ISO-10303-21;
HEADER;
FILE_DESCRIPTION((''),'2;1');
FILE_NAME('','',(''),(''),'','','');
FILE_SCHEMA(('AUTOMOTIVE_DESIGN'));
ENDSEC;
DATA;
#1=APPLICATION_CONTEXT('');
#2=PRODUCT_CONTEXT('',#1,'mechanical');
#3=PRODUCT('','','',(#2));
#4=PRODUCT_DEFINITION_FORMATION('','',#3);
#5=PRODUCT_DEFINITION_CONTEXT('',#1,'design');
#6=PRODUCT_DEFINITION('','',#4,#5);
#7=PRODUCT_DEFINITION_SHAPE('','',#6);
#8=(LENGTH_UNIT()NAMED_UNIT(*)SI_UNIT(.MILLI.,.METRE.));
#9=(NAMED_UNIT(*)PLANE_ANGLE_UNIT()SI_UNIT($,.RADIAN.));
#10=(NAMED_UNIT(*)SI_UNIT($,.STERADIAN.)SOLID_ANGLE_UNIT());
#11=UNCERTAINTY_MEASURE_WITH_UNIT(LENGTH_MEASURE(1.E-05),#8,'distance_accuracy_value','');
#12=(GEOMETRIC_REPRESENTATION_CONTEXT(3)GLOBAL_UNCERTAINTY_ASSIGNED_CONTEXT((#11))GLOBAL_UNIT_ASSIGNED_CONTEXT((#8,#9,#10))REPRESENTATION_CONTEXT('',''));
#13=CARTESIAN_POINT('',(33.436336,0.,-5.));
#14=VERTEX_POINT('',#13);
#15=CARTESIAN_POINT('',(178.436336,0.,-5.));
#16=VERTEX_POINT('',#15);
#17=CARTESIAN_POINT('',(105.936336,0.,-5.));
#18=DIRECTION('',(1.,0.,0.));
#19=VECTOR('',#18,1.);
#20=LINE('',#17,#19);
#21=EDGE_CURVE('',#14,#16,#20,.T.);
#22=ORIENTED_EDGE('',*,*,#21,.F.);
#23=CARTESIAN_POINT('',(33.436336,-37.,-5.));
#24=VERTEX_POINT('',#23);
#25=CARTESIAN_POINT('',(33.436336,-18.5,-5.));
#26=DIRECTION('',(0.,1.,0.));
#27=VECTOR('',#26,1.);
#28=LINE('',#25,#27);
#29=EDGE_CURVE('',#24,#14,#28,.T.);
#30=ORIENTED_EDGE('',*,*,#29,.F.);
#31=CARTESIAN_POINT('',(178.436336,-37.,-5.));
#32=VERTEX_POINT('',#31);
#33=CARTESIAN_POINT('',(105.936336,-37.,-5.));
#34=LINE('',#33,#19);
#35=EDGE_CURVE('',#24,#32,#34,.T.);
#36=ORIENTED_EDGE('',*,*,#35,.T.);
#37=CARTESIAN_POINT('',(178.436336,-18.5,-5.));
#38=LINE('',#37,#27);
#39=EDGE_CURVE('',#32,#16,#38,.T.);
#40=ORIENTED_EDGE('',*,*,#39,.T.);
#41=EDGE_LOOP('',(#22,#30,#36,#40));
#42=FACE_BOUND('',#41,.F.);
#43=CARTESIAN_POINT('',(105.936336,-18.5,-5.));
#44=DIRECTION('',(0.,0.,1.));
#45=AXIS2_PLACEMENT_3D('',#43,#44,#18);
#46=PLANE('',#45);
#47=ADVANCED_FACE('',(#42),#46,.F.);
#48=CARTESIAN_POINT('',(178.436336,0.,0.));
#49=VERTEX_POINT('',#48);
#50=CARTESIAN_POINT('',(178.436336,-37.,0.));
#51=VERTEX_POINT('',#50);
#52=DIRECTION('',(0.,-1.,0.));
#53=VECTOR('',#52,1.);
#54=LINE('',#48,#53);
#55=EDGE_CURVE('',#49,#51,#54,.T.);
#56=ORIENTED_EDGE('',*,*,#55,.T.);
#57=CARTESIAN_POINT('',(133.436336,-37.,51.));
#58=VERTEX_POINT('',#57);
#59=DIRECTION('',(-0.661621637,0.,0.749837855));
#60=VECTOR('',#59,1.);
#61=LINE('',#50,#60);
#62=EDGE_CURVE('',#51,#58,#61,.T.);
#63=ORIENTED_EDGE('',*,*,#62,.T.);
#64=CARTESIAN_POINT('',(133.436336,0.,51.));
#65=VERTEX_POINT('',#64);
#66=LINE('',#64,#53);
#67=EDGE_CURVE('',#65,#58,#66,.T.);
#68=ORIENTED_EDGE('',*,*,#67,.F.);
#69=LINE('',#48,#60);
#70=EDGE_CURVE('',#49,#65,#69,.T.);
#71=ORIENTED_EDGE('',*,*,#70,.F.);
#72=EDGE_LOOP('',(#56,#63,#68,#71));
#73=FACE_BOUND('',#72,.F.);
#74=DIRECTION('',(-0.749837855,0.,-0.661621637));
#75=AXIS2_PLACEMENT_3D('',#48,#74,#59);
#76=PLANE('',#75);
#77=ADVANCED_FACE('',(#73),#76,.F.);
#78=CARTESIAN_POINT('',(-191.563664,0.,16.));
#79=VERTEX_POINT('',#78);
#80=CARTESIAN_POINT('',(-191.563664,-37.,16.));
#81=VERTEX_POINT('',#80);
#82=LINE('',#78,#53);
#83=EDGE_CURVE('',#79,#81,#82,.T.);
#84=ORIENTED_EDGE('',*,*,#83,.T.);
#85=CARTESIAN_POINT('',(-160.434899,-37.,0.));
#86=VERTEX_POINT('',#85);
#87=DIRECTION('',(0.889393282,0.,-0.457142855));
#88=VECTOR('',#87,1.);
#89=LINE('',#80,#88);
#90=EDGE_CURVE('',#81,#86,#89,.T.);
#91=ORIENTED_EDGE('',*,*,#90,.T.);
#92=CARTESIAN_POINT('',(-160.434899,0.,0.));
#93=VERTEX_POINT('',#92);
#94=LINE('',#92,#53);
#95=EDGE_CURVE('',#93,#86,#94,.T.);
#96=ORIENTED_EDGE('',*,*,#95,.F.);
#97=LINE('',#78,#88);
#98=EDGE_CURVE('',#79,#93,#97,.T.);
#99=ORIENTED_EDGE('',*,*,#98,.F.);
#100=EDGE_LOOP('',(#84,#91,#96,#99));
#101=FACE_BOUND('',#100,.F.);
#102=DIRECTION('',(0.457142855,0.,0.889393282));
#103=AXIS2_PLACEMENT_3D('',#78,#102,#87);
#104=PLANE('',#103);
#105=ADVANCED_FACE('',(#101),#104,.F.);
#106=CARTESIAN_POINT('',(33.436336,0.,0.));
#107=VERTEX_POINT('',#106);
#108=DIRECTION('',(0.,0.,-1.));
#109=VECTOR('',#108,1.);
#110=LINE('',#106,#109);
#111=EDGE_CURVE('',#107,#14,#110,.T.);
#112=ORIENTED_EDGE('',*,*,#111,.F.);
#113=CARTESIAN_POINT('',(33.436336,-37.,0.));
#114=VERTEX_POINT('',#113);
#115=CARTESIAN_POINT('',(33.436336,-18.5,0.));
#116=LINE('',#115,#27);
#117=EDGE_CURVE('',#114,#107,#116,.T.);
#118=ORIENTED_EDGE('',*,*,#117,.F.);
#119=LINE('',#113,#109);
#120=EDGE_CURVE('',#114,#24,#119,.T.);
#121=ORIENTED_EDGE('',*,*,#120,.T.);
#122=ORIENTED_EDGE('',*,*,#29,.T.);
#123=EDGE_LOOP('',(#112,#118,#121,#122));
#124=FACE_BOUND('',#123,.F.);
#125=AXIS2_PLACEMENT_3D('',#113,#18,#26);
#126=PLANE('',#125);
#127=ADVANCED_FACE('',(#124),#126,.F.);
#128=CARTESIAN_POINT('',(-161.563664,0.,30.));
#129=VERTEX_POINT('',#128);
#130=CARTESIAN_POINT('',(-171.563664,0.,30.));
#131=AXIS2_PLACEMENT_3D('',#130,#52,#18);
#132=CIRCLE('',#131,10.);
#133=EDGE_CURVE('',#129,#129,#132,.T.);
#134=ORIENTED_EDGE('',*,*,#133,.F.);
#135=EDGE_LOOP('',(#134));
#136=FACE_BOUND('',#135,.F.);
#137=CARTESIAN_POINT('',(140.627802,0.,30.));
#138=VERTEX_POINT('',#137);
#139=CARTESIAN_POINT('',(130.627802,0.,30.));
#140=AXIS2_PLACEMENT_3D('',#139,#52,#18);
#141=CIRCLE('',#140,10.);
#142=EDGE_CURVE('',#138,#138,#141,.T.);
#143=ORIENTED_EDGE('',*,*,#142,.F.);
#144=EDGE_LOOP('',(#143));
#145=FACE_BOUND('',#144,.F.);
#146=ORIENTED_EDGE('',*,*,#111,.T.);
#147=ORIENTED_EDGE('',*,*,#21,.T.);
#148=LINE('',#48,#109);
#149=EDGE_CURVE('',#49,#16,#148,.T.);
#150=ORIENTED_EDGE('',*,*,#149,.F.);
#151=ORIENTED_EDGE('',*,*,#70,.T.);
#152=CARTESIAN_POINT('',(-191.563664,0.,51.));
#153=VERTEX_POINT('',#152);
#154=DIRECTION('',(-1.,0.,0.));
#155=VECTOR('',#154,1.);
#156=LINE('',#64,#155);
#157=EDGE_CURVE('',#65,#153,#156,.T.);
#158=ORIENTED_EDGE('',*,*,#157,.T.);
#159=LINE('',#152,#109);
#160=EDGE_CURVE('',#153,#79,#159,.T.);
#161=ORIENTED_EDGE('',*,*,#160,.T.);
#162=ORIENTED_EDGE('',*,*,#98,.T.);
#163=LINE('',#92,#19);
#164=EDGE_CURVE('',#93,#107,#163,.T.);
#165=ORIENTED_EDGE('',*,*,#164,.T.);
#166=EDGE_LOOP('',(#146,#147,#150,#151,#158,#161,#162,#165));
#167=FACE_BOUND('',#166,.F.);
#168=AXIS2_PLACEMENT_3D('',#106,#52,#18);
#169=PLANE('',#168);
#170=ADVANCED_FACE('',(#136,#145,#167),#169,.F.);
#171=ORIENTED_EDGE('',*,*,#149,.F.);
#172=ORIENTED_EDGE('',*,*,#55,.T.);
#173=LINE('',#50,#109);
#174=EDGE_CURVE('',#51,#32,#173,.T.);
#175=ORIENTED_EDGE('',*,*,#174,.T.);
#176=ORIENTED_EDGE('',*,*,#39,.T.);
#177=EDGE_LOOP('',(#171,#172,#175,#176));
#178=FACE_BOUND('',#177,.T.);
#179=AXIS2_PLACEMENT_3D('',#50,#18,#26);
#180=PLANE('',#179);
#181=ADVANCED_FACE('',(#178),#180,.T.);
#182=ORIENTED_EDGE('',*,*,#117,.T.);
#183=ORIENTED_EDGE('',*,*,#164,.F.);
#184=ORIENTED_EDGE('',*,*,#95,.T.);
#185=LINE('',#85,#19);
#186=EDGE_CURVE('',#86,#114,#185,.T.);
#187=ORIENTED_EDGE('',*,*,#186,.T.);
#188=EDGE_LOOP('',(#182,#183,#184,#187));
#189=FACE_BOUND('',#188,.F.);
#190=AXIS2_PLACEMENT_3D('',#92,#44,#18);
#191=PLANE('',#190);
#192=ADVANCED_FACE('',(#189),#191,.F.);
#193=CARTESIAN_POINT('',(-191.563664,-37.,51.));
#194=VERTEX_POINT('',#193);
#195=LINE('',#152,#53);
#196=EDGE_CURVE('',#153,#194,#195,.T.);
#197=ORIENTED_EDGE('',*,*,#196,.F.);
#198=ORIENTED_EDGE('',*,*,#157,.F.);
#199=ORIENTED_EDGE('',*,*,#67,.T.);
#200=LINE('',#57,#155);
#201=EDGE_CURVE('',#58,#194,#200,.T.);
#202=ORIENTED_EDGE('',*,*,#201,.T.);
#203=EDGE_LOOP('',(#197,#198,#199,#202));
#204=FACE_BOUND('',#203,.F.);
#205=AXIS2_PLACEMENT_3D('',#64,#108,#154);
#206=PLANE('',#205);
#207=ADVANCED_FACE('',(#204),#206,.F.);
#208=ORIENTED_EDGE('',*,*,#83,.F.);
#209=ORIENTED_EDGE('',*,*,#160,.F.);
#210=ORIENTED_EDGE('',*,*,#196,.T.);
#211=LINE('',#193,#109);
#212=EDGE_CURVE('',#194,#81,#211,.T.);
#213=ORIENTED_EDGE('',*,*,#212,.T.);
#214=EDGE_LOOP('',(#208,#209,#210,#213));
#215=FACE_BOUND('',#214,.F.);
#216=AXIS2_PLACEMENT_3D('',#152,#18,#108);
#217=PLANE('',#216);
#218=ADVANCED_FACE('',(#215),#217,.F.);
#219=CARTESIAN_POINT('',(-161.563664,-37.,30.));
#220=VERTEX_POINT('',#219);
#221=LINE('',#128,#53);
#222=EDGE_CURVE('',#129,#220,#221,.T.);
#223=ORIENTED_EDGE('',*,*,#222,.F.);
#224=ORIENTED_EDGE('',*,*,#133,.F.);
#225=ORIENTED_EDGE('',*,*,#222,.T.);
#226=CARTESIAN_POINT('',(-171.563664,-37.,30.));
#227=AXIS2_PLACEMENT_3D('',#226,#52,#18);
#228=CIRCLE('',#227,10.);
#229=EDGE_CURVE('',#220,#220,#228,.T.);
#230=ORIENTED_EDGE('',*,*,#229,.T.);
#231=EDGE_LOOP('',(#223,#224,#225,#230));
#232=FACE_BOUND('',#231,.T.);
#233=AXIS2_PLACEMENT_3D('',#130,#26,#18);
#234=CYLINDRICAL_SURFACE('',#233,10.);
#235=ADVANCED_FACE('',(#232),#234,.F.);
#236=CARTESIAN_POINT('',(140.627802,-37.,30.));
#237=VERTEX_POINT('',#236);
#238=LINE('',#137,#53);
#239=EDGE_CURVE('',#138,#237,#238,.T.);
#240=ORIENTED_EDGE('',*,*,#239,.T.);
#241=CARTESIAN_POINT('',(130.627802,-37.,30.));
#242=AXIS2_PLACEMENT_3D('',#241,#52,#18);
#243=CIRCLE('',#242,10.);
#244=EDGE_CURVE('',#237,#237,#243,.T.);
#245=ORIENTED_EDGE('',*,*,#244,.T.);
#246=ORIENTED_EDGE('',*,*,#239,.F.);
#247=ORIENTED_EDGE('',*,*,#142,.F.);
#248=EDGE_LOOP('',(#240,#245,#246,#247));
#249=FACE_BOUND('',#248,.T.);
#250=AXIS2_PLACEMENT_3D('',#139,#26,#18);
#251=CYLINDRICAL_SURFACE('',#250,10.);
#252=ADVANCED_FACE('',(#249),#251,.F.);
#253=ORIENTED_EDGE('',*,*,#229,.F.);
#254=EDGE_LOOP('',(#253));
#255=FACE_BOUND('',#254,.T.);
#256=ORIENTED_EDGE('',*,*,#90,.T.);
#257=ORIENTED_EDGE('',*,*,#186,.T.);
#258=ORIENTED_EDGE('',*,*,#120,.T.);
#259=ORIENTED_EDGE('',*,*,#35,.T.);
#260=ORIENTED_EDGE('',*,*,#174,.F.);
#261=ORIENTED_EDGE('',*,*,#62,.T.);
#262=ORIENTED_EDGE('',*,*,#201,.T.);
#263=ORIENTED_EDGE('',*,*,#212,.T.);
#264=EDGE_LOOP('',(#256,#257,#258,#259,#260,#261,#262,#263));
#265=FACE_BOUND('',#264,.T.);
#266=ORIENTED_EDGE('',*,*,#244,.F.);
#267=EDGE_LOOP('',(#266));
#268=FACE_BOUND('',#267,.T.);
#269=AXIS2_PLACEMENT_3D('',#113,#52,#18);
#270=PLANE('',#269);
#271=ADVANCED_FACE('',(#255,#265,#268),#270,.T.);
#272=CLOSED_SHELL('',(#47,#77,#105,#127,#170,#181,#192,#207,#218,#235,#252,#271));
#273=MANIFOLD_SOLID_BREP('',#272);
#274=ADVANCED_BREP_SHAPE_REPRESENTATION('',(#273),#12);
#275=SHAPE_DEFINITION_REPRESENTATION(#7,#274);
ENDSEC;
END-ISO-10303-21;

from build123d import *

# Parameters (mm, degrees)
F0_R     = 10
F1_DEPTH = 37
F2_W     = 145
F2_H     = 37
F3_DEPTH = 5


with BuildPart() as f1:
    # F0 (on Front) → F1 (new body)
    with BuildSketch(Plane.XZ):
        Polygon((-191.563664, 16), (-160.434899, 0), (178.436336, 0), (133.436336, 51), (-191.563664, 51), align=None)
        with Locations((-171.563664, 30)):
            Circle(F0_R, mode=Mode.SUBTRACT)
        with Locations((130.627802, 30)):
            Circle(F0_R, mode=Mode.SUBTRACT)
    extrude(amount=F1_DEPTH)

    # F2 (on Top) → F3 (join)
    with BuildSketch(Plane.XY):
        with Locations((105.936336, -18.5)):
            Rectangle(F2_W, F2_H)
    extrude(amount=-F3_DEPTH)


solid = f1.part
